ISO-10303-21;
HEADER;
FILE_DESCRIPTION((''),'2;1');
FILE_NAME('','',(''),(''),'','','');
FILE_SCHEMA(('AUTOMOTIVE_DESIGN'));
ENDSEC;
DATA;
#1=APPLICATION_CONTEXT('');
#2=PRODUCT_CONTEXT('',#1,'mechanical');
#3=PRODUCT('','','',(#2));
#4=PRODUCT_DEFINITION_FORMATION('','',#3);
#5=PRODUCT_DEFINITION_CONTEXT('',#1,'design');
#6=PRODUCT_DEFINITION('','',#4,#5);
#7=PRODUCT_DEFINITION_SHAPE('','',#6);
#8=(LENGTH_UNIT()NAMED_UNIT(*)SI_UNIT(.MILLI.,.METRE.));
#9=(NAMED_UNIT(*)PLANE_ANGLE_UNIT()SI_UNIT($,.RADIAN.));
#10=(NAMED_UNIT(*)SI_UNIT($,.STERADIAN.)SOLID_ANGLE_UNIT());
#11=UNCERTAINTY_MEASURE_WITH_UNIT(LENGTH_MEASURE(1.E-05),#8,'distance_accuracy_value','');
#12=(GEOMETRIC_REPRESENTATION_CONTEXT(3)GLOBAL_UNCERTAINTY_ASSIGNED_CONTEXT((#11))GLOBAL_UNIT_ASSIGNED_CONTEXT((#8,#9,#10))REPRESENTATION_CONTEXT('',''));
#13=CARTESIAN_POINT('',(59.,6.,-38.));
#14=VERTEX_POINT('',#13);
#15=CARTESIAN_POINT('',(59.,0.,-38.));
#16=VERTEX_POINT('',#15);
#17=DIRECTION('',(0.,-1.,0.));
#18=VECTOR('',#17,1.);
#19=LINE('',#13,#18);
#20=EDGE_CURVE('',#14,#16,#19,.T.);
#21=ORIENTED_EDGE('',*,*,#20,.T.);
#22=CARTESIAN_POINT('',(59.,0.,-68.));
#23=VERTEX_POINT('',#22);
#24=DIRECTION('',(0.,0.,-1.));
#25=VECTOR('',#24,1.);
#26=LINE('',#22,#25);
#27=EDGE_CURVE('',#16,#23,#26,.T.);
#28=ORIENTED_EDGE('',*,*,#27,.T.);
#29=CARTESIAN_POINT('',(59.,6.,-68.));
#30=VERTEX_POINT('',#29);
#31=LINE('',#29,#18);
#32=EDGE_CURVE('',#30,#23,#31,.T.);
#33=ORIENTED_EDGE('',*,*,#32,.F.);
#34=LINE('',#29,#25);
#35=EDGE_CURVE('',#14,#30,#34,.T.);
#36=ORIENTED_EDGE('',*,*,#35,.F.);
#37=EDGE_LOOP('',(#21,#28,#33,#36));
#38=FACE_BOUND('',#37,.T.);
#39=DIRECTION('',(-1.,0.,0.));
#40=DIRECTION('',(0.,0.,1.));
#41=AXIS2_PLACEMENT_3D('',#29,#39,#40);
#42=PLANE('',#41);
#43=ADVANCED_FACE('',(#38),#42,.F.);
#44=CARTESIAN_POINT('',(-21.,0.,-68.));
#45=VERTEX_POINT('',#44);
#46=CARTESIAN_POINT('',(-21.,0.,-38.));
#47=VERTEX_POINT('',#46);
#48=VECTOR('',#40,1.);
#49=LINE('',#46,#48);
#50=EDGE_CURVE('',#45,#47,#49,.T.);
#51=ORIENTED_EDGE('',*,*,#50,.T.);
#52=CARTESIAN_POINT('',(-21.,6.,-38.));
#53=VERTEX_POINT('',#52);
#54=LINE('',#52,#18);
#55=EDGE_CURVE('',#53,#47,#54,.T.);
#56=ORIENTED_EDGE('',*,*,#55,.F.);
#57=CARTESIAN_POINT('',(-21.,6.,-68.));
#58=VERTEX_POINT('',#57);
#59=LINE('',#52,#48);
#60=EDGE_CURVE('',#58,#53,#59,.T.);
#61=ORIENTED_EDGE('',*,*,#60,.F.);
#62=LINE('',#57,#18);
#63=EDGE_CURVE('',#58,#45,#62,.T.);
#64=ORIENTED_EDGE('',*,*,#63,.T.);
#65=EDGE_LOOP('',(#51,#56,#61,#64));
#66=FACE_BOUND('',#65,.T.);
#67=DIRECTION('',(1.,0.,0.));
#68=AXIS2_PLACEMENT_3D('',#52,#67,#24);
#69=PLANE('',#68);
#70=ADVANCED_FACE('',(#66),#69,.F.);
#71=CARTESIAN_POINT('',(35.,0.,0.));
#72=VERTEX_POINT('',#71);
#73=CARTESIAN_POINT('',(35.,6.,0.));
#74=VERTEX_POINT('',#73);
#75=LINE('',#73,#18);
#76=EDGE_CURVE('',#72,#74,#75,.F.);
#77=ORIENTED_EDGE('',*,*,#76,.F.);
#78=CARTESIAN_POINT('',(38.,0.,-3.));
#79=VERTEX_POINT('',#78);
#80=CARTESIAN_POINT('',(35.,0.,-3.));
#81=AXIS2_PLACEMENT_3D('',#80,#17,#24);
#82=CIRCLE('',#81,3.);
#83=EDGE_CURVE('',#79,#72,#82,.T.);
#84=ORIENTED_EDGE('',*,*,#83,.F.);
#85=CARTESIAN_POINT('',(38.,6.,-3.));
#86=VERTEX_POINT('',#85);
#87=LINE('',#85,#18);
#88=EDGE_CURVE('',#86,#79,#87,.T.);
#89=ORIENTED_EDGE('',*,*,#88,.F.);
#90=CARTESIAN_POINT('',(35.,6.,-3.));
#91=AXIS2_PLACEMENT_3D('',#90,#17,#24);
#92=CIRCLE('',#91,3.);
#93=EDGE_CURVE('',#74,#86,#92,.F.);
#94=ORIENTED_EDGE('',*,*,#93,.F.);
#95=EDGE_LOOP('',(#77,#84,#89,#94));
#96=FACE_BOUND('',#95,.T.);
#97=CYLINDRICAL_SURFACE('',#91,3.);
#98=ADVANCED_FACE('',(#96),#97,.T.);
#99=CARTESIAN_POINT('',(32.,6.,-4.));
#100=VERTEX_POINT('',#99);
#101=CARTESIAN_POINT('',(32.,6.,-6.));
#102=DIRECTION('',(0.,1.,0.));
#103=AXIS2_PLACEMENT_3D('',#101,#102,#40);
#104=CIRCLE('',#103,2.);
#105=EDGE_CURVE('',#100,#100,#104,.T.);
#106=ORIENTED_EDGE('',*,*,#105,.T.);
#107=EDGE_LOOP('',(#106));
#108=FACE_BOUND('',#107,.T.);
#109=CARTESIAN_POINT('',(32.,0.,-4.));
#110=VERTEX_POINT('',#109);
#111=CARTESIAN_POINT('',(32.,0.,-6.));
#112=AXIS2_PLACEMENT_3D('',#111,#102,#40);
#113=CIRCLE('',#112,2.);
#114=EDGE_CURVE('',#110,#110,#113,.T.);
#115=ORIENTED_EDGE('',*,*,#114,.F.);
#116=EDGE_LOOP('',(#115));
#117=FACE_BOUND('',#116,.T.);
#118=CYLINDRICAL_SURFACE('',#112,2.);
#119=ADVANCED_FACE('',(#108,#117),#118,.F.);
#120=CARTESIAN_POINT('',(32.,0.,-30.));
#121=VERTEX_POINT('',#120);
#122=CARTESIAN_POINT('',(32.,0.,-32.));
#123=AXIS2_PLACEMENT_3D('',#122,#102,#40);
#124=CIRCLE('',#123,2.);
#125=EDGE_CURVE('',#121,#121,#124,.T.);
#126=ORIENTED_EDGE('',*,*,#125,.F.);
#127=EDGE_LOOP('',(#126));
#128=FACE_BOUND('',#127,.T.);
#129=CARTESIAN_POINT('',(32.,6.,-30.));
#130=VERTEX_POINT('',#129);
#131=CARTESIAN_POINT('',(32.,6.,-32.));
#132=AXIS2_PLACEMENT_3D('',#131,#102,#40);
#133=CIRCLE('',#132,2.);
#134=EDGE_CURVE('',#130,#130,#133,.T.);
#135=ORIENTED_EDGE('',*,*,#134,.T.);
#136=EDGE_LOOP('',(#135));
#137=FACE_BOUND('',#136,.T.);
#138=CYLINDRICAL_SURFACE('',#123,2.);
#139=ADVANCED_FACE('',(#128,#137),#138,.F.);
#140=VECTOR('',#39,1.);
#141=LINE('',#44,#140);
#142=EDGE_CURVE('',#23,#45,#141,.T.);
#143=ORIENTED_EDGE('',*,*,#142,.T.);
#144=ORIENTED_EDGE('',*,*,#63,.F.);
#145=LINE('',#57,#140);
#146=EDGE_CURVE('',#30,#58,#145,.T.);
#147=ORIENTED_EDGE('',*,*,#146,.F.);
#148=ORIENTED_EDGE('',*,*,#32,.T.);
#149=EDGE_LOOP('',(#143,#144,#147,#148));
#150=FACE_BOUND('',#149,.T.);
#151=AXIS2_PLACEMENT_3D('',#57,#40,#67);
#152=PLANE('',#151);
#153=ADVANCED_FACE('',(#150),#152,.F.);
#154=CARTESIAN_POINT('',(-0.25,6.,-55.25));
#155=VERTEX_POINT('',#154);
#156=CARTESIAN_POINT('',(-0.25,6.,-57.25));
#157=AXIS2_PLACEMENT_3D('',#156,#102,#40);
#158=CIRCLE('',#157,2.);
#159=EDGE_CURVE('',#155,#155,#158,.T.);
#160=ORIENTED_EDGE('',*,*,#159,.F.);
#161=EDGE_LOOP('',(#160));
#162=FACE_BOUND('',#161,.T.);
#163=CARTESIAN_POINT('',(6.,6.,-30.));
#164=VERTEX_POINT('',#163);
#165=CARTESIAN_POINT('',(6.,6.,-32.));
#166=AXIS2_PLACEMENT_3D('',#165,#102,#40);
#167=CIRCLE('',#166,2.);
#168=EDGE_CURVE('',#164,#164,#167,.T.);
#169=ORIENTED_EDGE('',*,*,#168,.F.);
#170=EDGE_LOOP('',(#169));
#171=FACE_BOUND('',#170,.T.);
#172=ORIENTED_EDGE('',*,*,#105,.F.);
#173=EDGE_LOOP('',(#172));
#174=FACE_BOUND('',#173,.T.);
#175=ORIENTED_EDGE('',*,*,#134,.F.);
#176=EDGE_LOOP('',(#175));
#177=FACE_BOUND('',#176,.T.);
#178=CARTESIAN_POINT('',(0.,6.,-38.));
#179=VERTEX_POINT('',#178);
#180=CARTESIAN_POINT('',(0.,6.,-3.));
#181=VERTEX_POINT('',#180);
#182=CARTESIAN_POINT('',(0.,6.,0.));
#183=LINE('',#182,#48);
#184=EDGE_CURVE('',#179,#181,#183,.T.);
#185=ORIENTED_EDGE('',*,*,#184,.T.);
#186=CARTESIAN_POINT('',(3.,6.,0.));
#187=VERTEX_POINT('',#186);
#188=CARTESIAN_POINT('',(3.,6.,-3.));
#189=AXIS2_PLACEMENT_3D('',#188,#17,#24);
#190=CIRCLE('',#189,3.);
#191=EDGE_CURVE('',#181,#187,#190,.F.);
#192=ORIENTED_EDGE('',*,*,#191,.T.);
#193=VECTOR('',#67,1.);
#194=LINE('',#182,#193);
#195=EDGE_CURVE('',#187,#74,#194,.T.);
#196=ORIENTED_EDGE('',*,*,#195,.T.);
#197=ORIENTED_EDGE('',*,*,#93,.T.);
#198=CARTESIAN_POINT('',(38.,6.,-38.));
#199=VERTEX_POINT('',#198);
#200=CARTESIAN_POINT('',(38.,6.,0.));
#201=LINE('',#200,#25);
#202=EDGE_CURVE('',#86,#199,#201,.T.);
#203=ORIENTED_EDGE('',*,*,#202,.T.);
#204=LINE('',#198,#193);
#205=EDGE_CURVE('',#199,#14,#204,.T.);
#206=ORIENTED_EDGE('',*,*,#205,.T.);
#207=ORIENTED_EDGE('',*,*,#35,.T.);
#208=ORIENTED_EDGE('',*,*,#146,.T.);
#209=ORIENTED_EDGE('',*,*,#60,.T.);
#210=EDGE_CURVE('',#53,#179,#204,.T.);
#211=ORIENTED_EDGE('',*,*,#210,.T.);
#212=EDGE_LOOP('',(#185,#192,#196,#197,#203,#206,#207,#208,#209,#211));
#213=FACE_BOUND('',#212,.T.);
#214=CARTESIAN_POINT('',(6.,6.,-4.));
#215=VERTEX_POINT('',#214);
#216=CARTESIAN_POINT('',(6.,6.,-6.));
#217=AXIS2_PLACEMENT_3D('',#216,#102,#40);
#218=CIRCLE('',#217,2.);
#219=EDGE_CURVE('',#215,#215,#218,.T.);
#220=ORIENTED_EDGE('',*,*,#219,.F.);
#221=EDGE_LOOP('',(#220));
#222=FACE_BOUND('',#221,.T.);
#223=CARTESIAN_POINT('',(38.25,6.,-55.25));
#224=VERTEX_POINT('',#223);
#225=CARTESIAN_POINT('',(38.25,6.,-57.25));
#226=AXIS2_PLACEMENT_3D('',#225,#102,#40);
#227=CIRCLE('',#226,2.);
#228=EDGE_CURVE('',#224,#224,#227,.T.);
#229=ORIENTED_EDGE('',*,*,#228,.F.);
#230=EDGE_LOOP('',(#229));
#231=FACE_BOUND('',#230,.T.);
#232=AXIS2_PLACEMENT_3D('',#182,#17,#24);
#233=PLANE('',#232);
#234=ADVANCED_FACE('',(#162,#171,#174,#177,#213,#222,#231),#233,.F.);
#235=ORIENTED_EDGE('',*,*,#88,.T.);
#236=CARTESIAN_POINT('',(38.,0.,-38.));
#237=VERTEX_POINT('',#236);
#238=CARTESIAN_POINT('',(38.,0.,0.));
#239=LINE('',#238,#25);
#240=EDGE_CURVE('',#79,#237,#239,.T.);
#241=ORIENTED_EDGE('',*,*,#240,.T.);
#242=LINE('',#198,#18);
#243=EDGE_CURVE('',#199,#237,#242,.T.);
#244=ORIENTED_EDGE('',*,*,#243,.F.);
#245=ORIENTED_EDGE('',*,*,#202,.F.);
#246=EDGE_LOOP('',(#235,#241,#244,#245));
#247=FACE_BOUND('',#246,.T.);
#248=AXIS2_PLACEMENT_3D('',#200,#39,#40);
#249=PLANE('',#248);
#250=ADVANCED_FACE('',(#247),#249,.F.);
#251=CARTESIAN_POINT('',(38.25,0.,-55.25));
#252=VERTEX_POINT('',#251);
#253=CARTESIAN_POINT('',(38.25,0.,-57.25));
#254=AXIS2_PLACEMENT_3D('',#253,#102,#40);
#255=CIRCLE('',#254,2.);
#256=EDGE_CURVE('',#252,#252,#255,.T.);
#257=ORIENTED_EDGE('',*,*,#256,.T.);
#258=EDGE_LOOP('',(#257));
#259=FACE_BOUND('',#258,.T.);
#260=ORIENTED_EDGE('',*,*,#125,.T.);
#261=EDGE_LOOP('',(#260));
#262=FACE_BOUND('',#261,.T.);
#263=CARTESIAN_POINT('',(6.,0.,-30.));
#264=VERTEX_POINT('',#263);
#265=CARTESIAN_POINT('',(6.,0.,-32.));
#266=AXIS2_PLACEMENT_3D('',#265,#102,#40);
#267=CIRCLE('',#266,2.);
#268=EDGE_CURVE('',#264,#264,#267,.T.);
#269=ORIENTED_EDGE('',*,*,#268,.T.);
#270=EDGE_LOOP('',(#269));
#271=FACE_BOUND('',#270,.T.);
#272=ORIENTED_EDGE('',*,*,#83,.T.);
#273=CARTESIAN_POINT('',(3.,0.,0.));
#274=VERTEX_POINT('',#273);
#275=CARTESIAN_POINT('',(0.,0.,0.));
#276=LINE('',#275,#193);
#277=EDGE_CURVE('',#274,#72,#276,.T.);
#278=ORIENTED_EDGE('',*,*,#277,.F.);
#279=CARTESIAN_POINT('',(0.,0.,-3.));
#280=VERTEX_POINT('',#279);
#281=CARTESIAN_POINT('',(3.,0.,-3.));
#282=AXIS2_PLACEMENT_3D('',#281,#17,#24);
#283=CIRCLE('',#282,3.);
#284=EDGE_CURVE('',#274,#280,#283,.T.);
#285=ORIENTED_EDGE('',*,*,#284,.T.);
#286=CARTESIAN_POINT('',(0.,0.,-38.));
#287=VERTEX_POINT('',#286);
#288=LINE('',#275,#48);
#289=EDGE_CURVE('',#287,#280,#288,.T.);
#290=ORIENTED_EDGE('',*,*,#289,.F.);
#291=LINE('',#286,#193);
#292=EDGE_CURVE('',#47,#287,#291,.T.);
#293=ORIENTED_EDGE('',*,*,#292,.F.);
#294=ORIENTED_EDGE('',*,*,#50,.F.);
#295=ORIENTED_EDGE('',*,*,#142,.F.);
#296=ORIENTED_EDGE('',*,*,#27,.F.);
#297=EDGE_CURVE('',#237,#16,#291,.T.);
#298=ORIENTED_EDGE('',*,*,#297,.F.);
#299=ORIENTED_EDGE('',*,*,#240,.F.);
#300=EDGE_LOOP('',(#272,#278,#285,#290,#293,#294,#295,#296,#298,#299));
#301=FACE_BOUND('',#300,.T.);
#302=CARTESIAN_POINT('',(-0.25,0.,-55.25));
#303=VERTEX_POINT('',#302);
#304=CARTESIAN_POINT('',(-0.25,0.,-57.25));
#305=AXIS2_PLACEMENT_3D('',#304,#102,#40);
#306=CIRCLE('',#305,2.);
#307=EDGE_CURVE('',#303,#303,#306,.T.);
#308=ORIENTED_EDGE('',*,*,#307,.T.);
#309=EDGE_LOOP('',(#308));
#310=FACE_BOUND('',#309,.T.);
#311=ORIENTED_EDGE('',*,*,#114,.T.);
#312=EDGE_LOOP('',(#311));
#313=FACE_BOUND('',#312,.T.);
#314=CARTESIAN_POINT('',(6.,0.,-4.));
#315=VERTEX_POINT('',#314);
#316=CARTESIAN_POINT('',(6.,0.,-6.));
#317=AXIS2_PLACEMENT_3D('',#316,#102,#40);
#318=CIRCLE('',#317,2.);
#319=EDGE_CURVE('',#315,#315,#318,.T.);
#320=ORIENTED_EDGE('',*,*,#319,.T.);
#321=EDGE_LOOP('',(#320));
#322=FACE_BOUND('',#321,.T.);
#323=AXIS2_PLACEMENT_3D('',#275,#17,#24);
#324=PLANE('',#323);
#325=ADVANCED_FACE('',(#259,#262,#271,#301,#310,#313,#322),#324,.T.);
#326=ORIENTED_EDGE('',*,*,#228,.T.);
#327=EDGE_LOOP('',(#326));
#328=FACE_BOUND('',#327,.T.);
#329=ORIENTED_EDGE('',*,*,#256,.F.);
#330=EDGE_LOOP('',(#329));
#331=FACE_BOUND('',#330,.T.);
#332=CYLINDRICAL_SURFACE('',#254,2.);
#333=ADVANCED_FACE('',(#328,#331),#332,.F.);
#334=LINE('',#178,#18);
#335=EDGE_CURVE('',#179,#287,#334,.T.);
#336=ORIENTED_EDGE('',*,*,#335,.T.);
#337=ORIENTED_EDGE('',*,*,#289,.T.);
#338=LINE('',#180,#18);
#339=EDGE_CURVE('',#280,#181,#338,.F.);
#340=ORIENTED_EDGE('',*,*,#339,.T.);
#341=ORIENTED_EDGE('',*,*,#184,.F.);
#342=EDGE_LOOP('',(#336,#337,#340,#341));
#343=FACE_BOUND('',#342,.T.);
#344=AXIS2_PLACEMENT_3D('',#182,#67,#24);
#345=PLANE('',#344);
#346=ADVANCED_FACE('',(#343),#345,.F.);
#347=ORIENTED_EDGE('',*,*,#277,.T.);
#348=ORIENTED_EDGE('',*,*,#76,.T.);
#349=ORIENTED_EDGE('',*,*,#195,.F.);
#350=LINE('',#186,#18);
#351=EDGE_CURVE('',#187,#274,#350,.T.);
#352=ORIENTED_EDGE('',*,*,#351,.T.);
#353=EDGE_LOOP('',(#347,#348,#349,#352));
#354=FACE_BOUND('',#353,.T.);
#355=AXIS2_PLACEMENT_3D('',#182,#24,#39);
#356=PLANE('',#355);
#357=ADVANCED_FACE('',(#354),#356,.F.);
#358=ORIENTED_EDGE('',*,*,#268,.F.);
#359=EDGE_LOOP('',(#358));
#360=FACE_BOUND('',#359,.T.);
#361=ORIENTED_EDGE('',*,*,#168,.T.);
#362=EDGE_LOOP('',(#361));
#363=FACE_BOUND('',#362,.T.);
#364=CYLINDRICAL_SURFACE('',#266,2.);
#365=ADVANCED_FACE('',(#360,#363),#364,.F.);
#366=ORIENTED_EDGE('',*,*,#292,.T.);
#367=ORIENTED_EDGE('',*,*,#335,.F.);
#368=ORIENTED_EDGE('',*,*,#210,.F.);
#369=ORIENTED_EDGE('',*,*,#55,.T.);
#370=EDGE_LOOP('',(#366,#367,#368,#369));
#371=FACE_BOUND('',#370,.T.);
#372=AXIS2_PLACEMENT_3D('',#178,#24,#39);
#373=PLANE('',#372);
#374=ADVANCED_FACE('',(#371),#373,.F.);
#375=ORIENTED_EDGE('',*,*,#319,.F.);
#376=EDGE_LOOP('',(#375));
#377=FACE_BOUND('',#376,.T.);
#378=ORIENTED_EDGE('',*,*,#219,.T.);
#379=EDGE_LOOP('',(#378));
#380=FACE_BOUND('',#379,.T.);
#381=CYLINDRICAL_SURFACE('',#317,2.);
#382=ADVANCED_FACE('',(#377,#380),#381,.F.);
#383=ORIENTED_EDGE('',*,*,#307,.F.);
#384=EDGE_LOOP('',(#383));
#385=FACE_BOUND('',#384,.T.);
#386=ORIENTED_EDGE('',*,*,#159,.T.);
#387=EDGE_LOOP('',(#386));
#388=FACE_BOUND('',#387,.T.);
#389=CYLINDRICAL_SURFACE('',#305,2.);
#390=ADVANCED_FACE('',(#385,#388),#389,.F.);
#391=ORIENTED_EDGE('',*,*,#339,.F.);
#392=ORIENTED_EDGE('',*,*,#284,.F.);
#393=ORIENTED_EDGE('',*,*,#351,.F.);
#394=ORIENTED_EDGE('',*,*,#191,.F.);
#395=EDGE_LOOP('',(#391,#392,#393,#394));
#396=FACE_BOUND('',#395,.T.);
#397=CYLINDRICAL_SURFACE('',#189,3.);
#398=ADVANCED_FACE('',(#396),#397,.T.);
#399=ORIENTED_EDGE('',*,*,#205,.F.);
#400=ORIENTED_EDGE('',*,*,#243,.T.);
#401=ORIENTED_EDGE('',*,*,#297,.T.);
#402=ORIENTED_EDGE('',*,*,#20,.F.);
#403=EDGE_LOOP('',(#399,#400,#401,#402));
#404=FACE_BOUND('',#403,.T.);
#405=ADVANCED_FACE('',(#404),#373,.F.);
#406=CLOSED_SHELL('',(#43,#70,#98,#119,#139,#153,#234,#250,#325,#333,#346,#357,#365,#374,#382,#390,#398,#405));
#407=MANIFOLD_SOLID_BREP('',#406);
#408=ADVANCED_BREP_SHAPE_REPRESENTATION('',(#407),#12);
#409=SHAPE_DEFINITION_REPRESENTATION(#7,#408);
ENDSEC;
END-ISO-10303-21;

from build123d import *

# Parameters (mm, degrees)
SKETCH1_W            = 38
SKETCH1_H            = 38
BOSS_EXTRUDE1_DEPTH  = 6
SKETCH2_R            = 2
CUT_EXTRUDE1_DEPTH   = 55.074023338
LPATTERN1_COUNT      = 2
LPATTERN1_PITCH      = 26
LPATTERN1_COUNT_DIR2 = 2
LPATTERN1_PITCH_DIR2 = 26
FILLET1_R            = 3
BOSS_EXTRUDE2_DEPTH  = 6
SKETCH4_R            = 2
CUT_EXTRUDE2_DEPTH   = 91.227490268


with BuildPart() as part:
    # Sketch1 → Boss-Extrude1 (new body)
    with BuildSketch(Plane(origin=(0, 0, 0), x_dir=(1, 0, 0), z_dir=(0, 1, 0))):
        with Locations((19, 19)):
            Rectangle(SKETCH1_W, SKETCH1_H)
    extrude(amount=BOSS_EXTRUDE1_DEPTH)

    # Sketch2 → Cut-Extrude1 (cut, through all)
    with BuildSketch(Plane(origin=(0, 6, 0), x_dir=(1, 0, 0), z_dir=(0, 1, 0))):
        with Locations(Location((6, 32, 0), (0, 0, 270))):
            Circle(SKETCH2_R)
    cut_extrude1 = extrude(amount=-CUT_EXTRUDE1_DEPTH, mode=Mode.SUBTRACT)

    # LPattern1: Cut-Extrude1 2 × 2
    with Locations(*[(i * LPATTERN1_PITCH, 0, j * LPATTERN1_PITCH_DIR2) for i in range(LPATTERN1_COUNT) for j in range(LPATTERN1_COUNT_DIR2) if (i, j) != (0, 0)]):
        add(cut_extrude1, mode=Mode.SUBTRACT)

    # Fillet1
    fillet1_edges = [part.edges().sort_by_distance(p)[0] for p in [
        (38, 3, 0),
        (0, 3, 0),
    ]]
    fillet(fillet1_edges, radius=FILLET1_R)

    # Sketch3 → Boss-Extrude2 (add)
    with BuildSketch(Plane(origin=(0, 0, 0), x_dir=(1, 0, 0), z_dir=(0, 1, 0))):
        Polygon((0, 38), (-21, 38), (-21, 68), (59, 68), (59, 38), (38, 38), align=None)
    extrude(amount=BOSS_EXTRUDE2_DEPTH)

    # Sketch4 → Cut-Extrude2 (cut, through all)
    with BuildSketch(Plane(origin=(0, 6, 0), x_dir=(1, 0, 0), z_dir=(0, 1, 0))):
        with Locations(Location((-0.25, 57.25, 0), (0, 0, 270))):
            Circle(SKETCH4_R)
        with Locations(Location((38.25, 57.25, 0), (0, 0, 270))):
            Circle(SKETCH4_R)
    extrude(amount=-CUT_EXTRUDE2_DEPTH, mode=Mode.SUBTRACT)


solid = part.part
